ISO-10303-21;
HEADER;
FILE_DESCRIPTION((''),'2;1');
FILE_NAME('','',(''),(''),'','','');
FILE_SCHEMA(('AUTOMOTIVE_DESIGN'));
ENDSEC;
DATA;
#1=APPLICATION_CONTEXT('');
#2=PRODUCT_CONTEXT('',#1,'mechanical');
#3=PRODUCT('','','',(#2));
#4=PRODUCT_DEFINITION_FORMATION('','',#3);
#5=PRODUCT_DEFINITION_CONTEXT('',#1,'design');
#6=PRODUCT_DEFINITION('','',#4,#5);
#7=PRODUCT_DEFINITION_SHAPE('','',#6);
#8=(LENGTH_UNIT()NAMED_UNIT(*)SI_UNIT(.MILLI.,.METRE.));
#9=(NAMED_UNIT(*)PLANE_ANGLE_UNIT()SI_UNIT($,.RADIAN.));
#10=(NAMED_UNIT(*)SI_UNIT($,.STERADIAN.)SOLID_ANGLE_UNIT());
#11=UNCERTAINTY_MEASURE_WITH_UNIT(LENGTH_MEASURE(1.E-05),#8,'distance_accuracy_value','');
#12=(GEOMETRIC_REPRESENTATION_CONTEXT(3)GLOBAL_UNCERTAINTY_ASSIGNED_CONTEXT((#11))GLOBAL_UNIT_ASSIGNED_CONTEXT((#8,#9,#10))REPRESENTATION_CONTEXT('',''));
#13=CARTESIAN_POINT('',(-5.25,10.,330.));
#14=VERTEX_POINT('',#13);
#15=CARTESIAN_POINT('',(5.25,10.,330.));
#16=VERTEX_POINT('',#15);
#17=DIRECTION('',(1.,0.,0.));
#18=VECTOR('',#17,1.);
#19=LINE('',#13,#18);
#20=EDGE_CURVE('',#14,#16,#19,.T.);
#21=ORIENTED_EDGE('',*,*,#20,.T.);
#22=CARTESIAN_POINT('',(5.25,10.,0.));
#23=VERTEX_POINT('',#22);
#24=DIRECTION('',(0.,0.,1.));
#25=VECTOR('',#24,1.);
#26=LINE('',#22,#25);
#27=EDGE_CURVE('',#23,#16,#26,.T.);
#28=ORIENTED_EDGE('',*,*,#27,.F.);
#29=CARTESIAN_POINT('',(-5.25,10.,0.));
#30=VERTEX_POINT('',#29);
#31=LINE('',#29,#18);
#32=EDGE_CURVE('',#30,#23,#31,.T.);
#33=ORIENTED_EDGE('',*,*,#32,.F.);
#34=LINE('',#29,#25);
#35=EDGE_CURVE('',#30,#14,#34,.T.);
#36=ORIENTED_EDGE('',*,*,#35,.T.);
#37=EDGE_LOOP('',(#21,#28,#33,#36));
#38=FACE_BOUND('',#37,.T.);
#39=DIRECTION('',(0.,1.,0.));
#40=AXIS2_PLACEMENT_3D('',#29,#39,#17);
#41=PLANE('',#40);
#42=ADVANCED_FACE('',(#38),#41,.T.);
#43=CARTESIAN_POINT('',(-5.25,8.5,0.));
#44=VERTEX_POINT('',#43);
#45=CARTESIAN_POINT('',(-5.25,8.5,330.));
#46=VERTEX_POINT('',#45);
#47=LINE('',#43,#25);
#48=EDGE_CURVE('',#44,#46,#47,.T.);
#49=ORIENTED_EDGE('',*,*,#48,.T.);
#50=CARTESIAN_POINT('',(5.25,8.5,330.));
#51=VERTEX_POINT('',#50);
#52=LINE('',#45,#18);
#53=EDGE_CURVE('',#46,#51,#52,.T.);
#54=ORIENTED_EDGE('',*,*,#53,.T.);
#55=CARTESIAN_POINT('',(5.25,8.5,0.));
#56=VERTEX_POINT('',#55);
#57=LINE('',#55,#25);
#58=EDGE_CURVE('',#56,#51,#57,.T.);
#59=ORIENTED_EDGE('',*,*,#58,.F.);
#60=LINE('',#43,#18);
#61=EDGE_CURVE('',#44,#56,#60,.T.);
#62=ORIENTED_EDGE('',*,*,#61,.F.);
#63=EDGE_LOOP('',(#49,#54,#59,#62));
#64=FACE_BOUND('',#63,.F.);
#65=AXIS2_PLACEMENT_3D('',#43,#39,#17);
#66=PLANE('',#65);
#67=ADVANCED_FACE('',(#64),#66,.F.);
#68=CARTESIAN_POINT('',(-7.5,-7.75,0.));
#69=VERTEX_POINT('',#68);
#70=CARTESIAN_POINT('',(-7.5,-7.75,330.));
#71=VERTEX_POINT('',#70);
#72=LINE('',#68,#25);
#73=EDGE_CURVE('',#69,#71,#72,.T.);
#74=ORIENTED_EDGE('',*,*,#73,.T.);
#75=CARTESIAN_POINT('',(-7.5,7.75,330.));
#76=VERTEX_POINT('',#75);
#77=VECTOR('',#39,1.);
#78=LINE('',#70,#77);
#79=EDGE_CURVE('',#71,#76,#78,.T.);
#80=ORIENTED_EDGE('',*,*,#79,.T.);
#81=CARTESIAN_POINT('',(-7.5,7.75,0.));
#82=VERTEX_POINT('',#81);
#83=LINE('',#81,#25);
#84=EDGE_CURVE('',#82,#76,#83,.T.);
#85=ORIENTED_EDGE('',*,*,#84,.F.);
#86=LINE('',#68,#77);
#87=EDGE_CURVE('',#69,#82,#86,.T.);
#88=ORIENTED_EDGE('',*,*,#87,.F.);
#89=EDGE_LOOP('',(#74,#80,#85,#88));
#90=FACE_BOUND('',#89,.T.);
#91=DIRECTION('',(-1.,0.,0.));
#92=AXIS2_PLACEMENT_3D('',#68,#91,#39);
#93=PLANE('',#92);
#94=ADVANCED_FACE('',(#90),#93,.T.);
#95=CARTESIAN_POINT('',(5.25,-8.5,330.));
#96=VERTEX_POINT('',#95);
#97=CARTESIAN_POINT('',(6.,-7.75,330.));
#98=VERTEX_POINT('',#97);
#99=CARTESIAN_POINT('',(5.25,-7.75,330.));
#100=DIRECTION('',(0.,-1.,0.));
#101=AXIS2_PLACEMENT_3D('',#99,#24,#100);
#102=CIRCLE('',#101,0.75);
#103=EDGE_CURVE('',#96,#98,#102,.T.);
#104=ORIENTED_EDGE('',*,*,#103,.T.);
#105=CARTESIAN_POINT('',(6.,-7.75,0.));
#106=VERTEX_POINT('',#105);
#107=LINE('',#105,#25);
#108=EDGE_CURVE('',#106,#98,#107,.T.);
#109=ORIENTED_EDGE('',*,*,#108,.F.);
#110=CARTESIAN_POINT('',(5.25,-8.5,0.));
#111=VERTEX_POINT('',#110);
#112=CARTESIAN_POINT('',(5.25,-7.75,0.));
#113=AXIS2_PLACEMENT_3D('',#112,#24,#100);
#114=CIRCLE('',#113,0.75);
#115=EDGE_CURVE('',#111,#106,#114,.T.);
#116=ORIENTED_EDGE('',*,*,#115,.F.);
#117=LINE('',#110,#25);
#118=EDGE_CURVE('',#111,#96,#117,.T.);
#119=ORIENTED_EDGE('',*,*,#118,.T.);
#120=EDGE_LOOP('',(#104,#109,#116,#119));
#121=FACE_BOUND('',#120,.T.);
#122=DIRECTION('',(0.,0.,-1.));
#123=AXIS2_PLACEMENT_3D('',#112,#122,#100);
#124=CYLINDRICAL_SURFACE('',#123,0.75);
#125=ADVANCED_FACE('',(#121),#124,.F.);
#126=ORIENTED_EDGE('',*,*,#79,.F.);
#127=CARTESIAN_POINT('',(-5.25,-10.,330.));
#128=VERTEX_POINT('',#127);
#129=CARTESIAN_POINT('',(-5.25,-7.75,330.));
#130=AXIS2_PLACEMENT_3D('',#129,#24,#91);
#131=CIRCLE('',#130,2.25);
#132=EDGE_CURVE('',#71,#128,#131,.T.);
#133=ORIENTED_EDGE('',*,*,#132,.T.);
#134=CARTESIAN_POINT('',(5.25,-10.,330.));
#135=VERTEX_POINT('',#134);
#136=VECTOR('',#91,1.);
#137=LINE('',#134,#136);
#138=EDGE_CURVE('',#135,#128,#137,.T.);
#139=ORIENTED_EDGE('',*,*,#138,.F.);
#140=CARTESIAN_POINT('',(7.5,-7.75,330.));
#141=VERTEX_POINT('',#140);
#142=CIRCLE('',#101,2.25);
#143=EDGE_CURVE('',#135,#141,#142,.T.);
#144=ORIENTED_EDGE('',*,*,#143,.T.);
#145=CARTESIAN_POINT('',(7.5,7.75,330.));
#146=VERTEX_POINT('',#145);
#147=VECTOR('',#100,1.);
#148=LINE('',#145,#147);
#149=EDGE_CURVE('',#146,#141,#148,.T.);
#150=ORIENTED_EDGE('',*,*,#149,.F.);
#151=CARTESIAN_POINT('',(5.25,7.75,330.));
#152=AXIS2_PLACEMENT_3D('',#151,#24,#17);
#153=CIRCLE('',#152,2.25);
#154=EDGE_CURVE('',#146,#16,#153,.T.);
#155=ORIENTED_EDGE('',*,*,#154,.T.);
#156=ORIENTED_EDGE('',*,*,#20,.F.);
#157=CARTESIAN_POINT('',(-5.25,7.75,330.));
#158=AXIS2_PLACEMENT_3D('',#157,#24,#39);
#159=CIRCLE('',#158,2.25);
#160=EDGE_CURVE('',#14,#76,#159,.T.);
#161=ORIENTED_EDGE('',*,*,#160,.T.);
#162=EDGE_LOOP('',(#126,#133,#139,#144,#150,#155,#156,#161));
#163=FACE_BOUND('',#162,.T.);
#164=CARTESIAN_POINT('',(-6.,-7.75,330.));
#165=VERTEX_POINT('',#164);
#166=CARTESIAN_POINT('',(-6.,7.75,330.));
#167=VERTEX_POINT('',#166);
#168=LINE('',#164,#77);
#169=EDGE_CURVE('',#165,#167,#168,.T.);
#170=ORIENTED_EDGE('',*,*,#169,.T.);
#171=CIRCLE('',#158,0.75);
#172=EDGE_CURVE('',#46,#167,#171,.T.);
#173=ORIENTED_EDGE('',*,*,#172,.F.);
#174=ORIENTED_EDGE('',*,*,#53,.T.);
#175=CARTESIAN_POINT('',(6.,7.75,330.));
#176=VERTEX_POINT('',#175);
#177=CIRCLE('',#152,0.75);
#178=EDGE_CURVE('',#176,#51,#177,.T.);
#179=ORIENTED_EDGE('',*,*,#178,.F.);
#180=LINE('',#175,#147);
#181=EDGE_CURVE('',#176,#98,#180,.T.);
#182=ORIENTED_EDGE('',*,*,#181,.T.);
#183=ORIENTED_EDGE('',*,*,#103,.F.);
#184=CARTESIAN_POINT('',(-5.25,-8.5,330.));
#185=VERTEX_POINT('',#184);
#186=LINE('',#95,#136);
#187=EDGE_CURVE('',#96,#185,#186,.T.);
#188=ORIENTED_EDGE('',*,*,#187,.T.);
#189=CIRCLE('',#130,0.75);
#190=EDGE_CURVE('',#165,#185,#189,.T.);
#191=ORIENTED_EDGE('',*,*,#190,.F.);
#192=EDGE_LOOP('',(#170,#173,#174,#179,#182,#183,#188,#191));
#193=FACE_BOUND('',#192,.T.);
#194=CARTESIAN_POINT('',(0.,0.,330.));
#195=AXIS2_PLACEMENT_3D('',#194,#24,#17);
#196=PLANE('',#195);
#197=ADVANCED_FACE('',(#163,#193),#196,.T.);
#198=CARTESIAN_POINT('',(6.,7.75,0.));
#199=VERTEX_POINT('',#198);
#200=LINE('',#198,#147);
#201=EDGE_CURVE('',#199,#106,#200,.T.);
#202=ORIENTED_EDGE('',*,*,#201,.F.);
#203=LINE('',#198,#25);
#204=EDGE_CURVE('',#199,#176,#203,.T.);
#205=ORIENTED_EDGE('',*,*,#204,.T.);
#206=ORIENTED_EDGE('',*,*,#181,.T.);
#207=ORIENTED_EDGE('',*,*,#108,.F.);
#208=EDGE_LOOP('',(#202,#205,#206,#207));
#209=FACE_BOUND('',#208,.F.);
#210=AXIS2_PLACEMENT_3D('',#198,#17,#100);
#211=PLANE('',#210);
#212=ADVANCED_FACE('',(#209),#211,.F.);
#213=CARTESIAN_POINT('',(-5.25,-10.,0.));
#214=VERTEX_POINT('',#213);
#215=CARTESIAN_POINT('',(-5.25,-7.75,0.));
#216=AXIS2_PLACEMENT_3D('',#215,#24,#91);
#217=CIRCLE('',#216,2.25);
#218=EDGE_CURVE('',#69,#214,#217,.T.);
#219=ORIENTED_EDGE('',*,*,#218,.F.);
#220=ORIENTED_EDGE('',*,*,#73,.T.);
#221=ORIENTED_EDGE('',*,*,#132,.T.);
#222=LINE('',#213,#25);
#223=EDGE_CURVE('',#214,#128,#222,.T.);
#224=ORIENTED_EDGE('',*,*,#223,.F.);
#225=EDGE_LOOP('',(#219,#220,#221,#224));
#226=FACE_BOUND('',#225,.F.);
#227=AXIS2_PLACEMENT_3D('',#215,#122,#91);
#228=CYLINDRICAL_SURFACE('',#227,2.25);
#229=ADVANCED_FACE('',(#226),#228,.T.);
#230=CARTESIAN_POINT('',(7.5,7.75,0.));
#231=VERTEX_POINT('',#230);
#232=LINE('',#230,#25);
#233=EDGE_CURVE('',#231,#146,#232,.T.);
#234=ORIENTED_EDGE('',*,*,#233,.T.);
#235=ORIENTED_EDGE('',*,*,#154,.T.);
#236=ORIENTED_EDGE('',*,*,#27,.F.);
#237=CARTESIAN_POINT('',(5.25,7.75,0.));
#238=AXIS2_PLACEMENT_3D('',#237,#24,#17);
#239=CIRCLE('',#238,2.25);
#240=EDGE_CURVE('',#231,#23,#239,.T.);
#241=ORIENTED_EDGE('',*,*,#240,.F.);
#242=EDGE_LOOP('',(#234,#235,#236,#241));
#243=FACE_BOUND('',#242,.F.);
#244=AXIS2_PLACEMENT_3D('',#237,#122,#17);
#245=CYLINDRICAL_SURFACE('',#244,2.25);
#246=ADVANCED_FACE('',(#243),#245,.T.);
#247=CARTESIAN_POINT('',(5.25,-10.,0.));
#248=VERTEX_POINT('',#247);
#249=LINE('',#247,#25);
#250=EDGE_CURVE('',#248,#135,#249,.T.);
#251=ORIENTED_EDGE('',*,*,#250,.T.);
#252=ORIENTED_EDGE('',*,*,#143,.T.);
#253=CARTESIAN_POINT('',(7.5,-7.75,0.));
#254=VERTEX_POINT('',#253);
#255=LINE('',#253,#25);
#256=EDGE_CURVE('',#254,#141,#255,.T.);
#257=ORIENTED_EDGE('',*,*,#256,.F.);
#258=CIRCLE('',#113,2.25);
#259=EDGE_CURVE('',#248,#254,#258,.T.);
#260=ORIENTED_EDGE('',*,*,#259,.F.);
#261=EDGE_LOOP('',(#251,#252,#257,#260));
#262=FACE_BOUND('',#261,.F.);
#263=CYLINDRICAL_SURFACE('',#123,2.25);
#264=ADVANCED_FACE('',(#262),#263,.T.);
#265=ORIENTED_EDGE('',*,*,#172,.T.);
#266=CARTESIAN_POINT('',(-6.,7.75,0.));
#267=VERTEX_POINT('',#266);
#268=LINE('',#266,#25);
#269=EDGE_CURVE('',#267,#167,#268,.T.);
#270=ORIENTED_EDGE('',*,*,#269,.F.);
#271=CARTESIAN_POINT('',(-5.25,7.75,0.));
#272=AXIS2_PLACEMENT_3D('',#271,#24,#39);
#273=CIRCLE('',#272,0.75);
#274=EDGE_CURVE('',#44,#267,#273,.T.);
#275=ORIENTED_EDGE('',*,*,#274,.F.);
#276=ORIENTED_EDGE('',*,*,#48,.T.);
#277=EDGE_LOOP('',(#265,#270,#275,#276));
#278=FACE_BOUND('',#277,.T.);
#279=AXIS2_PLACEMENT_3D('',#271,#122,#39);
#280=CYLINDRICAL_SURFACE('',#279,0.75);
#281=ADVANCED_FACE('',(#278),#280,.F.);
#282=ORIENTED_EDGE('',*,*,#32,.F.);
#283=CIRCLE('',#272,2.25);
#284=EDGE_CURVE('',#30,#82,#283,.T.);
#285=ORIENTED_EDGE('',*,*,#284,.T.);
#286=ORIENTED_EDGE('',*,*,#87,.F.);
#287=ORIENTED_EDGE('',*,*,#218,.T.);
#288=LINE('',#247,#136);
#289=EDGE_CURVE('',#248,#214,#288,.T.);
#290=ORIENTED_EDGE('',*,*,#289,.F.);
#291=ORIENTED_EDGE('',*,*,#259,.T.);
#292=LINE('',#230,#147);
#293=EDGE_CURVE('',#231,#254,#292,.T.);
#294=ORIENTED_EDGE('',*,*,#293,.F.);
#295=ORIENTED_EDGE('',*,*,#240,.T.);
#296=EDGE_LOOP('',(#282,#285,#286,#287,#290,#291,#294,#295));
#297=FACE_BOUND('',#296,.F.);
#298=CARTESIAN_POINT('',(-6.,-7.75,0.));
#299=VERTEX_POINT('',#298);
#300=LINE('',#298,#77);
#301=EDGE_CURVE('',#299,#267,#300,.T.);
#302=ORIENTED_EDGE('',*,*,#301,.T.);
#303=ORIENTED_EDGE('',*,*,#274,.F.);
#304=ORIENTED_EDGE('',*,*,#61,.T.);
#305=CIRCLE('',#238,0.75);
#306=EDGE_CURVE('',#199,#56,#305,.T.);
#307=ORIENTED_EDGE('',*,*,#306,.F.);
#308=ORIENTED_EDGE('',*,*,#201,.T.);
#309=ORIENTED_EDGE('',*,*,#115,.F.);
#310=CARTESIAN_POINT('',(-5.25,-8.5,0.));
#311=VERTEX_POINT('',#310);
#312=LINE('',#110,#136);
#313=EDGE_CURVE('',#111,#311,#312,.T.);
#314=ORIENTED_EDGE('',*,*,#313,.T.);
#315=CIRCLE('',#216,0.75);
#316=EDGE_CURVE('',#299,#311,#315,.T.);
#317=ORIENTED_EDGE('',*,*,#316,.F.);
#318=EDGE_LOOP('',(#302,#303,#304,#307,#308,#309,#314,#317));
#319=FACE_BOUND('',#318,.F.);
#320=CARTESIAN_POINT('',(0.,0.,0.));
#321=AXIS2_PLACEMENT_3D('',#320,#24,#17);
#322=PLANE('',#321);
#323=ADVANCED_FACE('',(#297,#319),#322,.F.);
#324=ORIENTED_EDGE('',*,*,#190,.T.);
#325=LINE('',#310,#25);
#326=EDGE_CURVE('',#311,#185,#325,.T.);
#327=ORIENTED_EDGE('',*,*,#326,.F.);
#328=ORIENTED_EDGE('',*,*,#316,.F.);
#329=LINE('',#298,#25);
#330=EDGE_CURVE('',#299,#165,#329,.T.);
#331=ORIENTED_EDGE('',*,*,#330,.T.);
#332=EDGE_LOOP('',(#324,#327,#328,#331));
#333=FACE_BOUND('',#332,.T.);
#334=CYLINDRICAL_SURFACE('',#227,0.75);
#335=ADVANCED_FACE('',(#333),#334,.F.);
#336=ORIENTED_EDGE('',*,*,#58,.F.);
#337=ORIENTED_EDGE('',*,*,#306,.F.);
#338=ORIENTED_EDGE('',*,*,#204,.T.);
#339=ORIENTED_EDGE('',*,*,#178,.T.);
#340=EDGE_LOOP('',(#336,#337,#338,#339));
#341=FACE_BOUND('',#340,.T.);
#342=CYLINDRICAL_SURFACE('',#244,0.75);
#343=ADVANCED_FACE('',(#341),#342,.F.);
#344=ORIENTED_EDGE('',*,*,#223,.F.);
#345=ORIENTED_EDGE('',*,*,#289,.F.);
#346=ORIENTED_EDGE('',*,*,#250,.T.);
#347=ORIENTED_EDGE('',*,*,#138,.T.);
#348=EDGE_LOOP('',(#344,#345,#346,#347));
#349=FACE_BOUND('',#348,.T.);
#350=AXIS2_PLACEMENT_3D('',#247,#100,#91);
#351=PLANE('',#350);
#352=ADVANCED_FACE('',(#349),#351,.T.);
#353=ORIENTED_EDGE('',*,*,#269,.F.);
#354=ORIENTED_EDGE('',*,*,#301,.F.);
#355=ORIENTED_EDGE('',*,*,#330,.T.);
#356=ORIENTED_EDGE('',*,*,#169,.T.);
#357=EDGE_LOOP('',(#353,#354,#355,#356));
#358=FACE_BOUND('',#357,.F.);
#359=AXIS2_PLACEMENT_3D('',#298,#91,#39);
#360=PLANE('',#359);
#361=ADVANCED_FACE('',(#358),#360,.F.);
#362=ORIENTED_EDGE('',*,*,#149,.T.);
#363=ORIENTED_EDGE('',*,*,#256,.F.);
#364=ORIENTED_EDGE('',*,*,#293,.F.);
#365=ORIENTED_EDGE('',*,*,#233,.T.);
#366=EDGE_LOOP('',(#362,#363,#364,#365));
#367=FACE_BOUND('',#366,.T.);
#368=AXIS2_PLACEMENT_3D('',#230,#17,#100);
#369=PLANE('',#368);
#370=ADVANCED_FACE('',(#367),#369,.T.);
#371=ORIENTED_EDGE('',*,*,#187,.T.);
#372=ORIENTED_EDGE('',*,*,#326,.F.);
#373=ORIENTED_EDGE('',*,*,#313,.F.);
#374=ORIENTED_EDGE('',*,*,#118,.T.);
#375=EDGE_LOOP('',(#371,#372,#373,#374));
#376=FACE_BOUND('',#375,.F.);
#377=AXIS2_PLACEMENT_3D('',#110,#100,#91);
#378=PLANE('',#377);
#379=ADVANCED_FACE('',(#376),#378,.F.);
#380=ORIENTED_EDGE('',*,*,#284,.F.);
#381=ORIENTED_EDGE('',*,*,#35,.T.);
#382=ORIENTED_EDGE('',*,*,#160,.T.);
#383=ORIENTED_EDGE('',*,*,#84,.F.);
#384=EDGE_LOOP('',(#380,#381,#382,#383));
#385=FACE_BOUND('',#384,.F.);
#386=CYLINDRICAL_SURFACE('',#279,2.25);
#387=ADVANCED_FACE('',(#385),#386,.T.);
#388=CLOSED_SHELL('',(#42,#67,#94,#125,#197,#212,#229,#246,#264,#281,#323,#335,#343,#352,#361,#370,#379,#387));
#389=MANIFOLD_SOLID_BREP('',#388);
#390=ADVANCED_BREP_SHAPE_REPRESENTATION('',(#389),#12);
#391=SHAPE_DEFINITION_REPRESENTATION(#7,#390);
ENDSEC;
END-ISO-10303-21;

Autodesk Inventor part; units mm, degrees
ref_plane "Start plane" through (0, 0, 0) normal (0, 0, 1) x (1, 0, 0)
ref_plane "End plane" through (0, 0, 330) normal (0, 0, 1) x (1, 0, 0)
sketch "Sketch" plane through (0, 0, 0) normal (0, 0, 1) x (1, 0, 0)
  line L0 (-7.5, -7.75) -> (-7.5, 7.75)
  line L1 (-5.25, 10) -> (5.25, 10)
  line L2 (7.5, 7.75) -> (7.5, -7.75)
  line L3 (5.25, -10) -> (-5.25, -10)
  arc A0 (-7.5, -7.75) -> (-5.25, -10) centre (-5.25, -7.75) ccw
  arc A1 (-5.25, 10) -> (-7.5, 7.75) centre (-5.25, 7.75) ccw
  arc A2 (7.5, 7.75) -> (5.25, 10) centre (5.25, 7.75) ccw
  arc A3 (5.25, -10) -> (7.5, -7.75) centre (5.25, -7.75) ccw
  arc A4 (-5.25, 8.5) -> (-6, 7.75) centre (-5.25, 7.75) ccw
  line L4 (-5.25, 8.5) -> (5.25, 8.5)
  arc A5 (6, 7.75) -> (5.25, 8.5) centre (5.25, 7.75) ccw
  line L5 (6, 7.75) -> (6, -7.75)
  arc A6 (5.25, -8.5) -> (6, -7.75) centre (5.25, -7.75) ccw
  line L6 (5.25, -8.5) -> (-5.25, -8.5)
  arc A7 (-6, -7.75) -> (-5.25, -8.5) centre (-5.25, -7.75) ccw
  line L7 (-6, -7.75) -> (-6, 7.75)
  line L8 (0, 14.6524) -> (0, -14.6524) construction
  line L9 (-11.5592, 0) -> (13.5932, 0) construction
  dimension "d7" = 2.25
  dimension "d10" = 20
  dimension "d11" = 15
  dimension "d12" = 1.5
  dimension "d15" = 10
  dimension "d16" = 7.5
extrude "Body" add sketch "Sketch" along normal up to surface (330 mm away) from surface at 0
sketch "Sketch3" plane through (0, 0, 0) normal (0, 0, 1) x (1, 0, 0)
  line L0 (0, 0) -> (10, 0)
ref_plane "Work Plane3" through (0, 0, 0) normal (0, -1, 0) x (1, 0, 0)
sketch "Sketch4" plane through (0, 0, 0) normal (0, -1, 0) x (1, 0, 0)
  line L0 (-2, 0) -> (12, 0)
  line L1 (-2, 330) -> (12, 330)
  dimension "d18" = 330
ref_plane "Work Plane4" through (-39.5, -503, 330) normal (0, 0, 1) x (1, 0, 0)
split "Split1" plane through (-39.5, -503, 330) removes the side toward (0, 0, 1)
ref_plane "Work Plane5" through (4.5, -503, 0) normal (0, 0, -1) x (-1, 0, 0)
split "Split2" plane through (4.5, -503, 0) removes the side toward (0, 0, -1)
equation "\"d7\" = G_IR"
equation "\"d10\" = G_H"
equation "\"d11\" = G_W"
equation "\"d12\" = G_T"
equation "\"d15\" = 0.5 * d10"
equation "\"d16\" = 0.5 * d11"
equation "\"d3\" = G_L"
equation "\"G_W\" = 15"
equation "\"G_H\" = 20"
equation "\"G_T\" = 1.5"
equation "\"G_IR\" = 2.25"
equation "\"G_L\" = d18"
equation "\"G_OFFSET_START\" = 0"
equation "\"G_OFFSET_END\" = -40"
equation "\"d14\" = G_OFFSET_END + B_L"
equation "\"B_L\" = 370"
properties part number "UNI EN 10305-5 - 20 x 15 x 1,5  - 330" material "Steel, Mild"
